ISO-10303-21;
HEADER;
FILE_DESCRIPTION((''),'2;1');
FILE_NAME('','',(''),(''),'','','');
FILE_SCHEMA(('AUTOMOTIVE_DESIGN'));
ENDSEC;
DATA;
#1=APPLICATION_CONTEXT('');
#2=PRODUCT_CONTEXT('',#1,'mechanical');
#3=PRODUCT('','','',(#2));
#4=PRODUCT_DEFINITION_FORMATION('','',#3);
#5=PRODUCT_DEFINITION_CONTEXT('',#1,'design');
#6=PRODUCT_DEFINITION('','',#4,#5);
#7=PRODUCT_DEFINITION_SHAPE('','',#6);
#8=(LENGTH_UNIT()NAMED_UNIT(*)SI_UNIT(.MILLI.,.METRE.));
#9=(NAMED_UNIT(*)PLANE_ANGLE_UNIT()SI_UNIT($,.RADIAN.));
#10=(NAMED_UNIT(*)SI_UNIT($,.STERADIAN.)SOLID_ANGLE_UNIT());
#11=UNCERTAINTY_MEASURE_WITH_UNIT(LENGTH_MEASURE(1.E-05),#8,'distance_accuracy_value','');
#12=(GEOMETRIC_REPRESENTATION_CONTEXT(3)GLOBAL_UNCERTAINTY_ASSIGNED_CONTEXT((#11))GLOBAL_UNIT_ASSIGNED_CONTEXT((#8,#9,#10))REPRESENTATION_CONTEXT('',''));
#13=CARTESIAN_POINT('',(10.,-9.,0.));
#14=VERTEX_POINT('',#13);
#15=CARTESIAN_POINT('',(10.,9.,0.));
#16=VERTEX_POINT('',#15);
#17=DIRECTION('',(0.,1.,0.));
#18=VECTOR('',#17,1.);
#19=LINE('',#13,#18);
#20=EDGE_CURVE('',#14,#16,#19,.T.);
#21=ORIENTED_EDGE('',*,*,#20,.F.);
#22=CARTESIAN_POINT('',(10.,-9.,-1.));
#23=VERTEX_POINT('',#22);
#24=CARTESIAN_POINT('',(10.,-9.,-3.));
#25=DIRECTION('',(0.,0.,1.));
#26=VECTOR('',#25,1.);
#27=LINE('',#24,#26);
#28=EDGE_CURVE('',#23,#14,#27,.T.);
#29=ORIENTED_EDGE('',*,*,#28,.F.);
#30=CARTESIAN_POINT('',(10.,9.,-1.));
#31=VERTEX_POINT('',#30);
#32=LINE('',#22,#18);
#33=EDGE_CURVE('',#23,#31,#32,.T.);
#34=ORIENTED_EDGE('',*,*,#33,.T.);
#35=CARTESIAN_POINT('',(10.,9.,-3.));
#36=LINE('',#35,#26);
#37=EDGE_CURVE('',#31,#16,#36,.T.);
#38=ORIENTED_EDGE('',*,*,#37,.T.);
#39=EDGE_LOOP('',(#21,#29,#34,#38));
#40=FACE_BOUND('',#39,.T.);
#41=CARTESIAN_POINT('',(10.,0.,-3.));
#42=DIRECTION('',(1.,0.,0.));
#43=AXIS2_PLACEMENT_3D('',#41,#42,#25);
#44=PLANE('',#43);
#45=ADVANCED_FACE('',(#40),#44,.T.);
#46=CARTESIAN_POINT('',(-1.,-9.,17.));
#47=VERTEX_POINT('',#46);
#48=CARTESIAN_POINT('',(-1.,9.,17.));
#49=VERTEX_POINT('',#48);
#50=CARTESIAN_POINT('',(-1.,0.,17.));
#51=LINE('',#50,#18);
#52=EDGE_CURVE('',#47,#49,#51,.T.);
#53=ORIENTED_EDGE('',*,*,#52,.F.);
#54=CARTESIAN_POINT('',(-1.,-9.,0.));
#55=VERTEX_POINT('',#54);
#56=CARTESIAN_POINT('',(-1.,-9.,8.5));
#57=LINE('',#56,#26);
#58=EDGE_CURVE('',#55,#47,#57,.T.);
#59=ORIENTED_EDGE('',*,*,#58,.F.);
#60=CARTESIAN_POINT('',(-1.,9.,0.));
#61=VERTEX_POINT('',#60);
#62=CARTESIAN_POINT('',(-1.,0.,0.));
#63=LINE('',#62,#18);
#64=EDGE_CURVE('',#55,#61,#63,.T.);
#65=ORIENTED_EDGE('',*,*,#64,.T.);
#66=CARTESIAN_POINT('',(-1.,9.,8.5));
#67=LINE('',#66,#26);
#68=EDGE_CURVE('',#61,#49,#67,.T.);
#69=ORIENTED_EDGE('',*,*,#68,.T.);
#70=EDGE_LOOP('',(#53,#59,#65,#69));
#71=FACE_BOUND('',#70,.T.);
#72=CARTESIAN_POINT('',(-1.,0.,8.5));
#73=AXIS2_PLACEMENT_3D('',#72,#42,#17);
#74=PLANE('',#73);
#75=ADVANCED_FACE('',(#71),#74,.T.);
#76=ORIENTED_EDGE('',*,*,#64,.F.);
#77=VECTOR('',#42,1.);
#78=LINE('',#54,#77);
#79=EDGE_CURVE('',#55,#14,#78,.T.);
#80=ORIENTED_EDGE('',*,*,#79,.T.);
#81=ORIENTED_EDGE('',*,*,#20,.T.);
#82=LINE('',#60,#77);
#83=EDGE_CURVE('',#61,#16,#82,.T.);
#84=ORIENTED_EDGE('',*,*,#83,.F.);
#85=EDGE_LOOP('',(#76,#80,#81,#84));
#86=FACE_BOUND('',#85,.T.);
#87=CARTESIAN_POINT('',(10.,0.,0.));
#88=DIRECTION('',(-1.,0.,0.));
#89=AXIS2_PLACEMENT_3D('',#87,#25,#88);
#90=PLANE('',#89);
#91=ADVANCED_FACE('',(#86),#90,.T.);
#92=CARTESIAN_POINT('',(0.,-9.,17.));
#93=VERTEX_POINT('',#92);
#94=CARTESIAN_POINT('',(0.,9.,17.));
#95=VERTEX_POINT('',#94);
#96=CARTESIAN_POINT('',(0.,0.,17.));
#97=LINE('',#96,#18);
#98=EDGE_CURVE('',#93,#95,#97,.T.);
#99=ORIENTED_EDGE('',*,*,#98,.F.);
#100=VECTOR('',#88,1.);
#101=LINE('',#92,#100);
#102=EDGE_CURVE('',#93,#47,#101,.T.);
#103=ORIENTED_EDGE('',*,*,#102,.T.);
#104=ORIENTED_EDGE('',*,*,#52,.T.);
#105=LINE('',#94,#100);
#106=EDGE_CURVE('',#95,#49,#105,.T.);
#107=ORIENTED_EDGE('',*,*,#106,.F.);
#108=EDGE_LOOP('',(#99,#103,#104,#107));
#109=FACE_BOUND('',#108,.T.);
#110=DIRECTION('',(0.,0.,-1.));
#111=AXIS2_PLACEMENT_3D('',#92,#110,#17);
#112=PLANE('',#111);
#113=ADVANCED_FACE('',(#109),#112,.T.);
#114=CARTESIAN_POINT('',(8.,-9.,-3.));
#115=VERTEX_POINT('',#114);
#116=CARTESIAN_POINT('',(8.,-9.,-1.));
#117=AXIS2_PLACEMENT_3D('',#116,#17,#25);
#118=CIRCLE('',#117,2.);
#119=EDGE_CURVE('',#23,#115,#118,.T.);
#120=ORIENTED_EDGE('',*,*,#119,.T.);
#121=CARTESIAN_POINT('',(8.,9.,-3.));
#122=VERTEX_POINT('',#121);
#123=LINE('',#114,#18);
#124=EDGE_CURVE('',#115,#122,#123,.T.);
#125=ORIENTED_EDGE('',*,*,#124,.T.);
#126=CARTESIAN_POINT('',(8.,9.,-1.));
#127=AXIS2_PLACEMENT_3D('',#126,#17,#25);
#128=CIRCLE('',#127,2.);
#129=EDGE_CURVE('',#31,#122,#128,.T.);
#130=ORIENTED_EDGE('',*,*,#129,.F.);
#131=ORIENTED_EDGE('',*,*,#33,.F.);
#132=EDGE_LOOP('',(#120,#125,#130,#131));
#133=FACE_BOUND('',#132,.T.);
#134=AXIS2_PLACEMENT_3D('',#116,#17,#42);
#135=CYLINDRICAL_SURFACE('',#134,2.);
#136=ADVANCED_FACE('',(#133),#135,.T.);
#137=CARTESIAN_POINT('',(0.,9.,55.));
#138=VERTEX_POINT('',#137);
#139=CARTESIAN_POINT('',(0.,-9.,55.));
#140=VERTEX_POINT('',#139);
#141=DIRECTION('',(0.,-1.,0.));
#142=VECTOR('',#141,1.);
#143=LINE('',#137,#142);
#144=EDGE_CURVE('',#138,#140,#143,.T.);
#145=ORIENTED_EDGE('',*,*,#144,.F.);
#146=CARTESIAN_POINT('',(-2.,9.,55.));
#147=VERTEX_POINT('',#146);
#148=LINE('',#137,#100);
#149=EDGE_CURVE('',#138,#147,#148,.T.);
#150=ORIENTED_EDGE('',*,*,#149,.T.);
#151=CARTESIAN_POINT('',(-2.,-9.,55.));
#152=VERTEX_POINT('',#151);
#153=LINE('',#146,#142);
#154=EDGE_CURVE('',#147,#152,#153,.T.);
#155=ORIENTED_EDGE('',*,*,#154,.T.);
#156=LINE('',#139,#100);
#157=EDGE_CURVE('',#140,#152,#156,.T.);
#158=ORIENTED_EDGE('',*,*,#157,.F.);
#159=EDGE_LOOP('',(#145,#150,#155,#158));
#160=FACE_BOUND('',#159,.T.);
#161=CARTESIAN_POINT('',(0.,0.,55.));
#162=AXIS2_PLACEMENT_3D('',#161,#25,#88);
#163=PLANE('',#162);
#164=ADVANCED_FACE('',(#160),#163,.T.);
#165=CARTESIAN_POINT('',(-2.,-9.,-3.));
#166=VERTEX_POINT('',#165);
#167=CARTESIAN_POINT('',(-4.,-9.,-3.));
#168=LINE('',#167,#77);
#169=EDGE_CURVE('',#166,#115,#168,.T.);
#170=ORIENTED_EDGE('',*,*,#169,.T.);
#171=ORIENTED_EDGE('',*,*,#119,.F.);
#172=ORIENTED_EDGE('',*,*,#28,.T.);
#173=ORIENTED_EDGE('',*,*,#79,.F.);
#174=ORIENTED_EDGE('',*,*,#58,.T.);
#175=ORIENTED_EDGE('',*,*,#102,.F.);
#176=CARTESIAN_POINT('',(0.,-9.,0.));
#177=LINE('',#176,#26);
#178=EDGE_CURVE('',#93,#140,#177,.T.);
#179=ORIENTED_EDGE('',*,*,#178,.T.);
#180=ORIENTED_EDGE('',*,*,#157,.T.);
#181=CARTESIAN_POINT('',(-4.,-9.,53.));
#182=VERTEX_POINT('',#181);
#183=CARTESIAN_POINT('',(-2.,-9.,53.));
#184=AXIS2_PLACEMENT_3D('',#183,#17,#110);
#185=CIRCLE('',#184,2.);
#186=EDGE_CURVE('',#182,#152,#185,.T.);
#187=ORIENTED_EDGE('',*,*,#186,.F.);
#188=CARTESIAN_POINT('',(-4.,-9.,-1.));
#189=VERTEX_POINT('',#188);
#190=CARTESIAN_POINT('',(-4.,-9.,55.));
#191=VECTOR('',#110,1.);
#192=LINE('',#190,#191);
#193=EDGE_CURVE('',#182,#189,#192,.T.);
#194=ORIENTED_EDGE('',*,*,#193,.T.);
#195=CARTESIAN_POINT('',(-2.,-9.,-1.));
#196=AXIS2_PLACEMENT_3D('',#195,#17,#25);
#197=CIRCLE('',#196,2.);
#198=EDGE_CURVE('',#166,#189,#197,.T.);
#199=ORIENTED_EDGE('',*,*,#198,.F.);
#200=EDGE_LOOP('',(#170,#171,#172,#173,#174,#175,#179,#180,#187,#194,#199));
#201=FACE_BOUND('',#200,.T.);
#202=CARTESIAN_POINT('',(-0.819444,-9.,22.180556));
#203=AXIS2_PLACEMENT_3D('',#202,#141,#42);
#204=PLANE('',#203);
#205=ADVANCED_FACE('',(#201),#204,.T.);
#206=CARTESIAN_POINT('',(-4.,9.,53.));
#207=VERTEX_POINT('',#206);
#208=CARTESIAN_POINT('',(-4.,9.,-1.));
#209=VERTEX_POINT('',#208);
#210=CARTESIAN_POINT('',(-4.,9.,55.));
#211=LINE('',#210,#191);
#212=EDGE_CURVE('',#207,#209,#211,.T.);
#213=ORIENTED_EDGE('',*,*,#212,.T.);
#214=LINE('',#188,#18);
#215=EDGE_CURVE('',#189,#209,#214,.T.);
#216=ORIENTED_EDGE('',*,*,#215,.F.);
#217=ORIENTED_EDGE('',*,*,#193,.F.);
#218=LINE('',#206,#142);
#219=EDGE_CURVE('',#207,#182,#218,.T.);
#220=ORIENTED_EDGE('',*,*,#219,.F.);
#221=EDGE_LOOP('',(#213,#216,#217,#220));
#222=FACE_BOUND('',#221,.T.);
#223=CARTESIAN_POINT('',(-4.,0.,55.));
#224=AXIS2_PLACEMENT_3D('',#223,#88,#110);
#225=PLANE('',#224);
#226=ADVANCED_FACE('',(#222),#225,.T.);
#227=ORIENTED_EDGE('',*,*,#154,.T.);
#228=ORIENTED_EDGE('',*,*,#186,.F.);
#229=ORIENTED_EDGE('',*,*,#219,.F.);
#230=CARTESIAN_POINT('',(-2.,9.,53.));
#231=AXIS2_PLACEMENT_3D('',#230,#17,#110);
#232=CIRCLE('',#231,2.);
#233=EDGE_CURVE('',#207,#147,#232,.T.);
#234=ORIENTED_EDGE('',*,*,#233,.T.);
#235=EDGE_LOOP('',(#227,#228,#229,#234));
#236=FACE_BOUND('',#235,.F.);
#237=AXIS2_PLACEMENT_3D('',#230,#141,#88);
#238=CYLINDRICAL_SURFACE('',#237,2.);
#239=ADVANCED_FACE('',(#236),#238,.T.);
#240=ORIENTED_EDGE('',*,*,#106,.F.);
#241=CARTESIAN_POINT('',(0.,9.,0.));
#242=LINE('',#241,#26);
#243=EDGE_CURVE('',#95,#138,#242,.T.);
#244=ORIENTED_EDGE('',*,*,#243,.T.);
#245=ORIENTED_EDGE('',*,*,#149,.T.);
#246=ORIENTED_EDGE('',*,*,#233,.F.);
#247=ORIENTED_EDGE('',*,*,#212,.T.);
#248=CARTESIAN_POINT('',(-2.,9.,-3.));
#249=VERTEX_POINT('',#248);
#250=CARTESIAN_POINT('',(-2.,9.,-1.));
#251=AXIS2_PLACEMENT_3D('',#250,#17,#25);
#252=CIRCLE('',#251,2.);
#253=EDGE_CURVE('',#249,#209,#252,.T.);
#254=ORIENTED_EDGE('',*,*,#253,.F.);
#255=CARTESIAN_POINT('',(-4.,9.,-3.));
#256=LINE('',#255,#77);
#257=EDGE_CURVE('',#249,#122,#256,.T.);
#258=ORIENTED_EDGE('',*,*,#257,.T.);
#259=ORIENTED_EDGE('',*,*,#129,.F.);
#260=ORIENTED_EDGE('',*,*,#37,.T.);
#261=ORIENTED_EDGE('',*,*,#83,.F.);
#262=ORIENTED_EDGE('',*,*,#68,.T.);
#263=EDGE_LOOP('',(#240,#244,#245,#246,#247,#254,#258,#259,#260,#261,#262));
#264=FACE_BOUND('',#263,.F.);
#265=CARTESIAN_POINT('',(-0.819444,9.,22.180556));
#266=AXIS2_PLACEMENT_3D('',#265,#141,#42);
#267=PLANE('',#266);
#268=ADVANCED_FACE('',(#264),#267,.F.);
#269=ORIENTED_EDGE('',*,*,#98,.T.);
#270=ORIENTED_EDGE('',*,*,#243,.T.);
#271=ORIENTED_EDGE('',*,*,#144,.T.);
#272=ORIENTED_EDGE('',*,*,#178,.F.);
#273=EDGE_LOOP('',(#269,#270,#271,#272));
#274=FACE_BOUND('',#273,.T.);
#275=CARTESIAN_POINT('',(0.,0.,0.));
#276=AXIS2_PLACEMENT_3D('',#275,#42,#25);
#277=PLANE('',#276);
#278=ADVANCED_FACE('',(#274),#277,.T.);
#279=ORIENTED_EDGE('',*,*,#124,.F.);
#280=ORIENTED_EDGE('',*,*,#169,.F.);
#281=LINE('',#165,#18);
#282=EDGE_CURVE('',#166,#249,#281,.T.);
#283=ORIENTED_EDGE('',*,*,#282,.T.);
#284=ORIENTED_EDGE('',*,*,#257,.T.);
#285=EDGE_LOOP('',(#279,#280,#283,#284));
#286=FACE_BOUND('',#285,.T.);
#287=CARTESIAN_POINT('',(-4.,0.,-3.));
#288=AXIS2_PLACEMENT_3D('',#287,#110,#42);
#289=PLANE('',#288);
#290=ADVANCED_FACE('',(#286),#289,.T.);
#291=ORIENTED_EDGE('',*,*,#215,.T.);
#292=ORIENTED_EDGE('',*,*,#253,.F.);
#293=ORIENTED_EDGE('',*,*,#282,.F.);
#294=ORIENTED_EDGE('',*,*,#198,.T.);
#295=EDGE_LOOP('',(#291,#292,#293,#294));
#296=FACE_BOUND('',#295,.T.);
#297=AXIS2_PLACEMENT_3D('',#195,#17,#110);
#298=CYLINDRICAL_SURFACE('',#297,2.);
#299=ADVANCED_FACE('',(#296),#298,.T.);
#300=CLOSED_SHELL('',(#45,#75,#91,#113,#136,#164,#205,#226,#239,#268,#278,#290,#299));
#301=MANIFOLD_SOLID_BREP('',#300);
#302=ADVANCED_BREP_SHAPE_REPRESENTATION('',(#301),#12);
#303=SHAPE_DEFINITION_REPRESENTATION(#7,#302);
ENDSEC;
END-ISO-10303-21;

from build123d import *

# Parameters (mm, degrees)
F1_DEPTH = 9
F2_R     = 2
F3_W     = 18
F3_H     = 17
F4_DEPTH = 1


with BuildPart() as f1:
    # F0 (on Front) → F1 (new body, symmetric)
    with BuildSketch(Plane.XZ):
        Polygon((10, 0), (0, 0), (0, 55), (-4, 55), (-4, -3), (10, -3), align=None)
    extrude(amount=F1_DEPTH, both=True)

    # F2
    f2_edges = [f1.edges().sort_by_distance(p)[0] for p in [
        (-4, 0, 55),
        (-4, 0, -3),
        (10, 0, -3),
    ]]
    fillet(f2_edges, radius=F2_R)

    # F3 (on face) → F4 (cut)
    with BuildSketch(Plane.YZ):
        with Locations((0, 8.5)):
            Rectangle(F3_W, F3_H)
    extrude(amount=-F4_DEPTH, mode=Mode.SUBTRACT)


solid = f1.part
